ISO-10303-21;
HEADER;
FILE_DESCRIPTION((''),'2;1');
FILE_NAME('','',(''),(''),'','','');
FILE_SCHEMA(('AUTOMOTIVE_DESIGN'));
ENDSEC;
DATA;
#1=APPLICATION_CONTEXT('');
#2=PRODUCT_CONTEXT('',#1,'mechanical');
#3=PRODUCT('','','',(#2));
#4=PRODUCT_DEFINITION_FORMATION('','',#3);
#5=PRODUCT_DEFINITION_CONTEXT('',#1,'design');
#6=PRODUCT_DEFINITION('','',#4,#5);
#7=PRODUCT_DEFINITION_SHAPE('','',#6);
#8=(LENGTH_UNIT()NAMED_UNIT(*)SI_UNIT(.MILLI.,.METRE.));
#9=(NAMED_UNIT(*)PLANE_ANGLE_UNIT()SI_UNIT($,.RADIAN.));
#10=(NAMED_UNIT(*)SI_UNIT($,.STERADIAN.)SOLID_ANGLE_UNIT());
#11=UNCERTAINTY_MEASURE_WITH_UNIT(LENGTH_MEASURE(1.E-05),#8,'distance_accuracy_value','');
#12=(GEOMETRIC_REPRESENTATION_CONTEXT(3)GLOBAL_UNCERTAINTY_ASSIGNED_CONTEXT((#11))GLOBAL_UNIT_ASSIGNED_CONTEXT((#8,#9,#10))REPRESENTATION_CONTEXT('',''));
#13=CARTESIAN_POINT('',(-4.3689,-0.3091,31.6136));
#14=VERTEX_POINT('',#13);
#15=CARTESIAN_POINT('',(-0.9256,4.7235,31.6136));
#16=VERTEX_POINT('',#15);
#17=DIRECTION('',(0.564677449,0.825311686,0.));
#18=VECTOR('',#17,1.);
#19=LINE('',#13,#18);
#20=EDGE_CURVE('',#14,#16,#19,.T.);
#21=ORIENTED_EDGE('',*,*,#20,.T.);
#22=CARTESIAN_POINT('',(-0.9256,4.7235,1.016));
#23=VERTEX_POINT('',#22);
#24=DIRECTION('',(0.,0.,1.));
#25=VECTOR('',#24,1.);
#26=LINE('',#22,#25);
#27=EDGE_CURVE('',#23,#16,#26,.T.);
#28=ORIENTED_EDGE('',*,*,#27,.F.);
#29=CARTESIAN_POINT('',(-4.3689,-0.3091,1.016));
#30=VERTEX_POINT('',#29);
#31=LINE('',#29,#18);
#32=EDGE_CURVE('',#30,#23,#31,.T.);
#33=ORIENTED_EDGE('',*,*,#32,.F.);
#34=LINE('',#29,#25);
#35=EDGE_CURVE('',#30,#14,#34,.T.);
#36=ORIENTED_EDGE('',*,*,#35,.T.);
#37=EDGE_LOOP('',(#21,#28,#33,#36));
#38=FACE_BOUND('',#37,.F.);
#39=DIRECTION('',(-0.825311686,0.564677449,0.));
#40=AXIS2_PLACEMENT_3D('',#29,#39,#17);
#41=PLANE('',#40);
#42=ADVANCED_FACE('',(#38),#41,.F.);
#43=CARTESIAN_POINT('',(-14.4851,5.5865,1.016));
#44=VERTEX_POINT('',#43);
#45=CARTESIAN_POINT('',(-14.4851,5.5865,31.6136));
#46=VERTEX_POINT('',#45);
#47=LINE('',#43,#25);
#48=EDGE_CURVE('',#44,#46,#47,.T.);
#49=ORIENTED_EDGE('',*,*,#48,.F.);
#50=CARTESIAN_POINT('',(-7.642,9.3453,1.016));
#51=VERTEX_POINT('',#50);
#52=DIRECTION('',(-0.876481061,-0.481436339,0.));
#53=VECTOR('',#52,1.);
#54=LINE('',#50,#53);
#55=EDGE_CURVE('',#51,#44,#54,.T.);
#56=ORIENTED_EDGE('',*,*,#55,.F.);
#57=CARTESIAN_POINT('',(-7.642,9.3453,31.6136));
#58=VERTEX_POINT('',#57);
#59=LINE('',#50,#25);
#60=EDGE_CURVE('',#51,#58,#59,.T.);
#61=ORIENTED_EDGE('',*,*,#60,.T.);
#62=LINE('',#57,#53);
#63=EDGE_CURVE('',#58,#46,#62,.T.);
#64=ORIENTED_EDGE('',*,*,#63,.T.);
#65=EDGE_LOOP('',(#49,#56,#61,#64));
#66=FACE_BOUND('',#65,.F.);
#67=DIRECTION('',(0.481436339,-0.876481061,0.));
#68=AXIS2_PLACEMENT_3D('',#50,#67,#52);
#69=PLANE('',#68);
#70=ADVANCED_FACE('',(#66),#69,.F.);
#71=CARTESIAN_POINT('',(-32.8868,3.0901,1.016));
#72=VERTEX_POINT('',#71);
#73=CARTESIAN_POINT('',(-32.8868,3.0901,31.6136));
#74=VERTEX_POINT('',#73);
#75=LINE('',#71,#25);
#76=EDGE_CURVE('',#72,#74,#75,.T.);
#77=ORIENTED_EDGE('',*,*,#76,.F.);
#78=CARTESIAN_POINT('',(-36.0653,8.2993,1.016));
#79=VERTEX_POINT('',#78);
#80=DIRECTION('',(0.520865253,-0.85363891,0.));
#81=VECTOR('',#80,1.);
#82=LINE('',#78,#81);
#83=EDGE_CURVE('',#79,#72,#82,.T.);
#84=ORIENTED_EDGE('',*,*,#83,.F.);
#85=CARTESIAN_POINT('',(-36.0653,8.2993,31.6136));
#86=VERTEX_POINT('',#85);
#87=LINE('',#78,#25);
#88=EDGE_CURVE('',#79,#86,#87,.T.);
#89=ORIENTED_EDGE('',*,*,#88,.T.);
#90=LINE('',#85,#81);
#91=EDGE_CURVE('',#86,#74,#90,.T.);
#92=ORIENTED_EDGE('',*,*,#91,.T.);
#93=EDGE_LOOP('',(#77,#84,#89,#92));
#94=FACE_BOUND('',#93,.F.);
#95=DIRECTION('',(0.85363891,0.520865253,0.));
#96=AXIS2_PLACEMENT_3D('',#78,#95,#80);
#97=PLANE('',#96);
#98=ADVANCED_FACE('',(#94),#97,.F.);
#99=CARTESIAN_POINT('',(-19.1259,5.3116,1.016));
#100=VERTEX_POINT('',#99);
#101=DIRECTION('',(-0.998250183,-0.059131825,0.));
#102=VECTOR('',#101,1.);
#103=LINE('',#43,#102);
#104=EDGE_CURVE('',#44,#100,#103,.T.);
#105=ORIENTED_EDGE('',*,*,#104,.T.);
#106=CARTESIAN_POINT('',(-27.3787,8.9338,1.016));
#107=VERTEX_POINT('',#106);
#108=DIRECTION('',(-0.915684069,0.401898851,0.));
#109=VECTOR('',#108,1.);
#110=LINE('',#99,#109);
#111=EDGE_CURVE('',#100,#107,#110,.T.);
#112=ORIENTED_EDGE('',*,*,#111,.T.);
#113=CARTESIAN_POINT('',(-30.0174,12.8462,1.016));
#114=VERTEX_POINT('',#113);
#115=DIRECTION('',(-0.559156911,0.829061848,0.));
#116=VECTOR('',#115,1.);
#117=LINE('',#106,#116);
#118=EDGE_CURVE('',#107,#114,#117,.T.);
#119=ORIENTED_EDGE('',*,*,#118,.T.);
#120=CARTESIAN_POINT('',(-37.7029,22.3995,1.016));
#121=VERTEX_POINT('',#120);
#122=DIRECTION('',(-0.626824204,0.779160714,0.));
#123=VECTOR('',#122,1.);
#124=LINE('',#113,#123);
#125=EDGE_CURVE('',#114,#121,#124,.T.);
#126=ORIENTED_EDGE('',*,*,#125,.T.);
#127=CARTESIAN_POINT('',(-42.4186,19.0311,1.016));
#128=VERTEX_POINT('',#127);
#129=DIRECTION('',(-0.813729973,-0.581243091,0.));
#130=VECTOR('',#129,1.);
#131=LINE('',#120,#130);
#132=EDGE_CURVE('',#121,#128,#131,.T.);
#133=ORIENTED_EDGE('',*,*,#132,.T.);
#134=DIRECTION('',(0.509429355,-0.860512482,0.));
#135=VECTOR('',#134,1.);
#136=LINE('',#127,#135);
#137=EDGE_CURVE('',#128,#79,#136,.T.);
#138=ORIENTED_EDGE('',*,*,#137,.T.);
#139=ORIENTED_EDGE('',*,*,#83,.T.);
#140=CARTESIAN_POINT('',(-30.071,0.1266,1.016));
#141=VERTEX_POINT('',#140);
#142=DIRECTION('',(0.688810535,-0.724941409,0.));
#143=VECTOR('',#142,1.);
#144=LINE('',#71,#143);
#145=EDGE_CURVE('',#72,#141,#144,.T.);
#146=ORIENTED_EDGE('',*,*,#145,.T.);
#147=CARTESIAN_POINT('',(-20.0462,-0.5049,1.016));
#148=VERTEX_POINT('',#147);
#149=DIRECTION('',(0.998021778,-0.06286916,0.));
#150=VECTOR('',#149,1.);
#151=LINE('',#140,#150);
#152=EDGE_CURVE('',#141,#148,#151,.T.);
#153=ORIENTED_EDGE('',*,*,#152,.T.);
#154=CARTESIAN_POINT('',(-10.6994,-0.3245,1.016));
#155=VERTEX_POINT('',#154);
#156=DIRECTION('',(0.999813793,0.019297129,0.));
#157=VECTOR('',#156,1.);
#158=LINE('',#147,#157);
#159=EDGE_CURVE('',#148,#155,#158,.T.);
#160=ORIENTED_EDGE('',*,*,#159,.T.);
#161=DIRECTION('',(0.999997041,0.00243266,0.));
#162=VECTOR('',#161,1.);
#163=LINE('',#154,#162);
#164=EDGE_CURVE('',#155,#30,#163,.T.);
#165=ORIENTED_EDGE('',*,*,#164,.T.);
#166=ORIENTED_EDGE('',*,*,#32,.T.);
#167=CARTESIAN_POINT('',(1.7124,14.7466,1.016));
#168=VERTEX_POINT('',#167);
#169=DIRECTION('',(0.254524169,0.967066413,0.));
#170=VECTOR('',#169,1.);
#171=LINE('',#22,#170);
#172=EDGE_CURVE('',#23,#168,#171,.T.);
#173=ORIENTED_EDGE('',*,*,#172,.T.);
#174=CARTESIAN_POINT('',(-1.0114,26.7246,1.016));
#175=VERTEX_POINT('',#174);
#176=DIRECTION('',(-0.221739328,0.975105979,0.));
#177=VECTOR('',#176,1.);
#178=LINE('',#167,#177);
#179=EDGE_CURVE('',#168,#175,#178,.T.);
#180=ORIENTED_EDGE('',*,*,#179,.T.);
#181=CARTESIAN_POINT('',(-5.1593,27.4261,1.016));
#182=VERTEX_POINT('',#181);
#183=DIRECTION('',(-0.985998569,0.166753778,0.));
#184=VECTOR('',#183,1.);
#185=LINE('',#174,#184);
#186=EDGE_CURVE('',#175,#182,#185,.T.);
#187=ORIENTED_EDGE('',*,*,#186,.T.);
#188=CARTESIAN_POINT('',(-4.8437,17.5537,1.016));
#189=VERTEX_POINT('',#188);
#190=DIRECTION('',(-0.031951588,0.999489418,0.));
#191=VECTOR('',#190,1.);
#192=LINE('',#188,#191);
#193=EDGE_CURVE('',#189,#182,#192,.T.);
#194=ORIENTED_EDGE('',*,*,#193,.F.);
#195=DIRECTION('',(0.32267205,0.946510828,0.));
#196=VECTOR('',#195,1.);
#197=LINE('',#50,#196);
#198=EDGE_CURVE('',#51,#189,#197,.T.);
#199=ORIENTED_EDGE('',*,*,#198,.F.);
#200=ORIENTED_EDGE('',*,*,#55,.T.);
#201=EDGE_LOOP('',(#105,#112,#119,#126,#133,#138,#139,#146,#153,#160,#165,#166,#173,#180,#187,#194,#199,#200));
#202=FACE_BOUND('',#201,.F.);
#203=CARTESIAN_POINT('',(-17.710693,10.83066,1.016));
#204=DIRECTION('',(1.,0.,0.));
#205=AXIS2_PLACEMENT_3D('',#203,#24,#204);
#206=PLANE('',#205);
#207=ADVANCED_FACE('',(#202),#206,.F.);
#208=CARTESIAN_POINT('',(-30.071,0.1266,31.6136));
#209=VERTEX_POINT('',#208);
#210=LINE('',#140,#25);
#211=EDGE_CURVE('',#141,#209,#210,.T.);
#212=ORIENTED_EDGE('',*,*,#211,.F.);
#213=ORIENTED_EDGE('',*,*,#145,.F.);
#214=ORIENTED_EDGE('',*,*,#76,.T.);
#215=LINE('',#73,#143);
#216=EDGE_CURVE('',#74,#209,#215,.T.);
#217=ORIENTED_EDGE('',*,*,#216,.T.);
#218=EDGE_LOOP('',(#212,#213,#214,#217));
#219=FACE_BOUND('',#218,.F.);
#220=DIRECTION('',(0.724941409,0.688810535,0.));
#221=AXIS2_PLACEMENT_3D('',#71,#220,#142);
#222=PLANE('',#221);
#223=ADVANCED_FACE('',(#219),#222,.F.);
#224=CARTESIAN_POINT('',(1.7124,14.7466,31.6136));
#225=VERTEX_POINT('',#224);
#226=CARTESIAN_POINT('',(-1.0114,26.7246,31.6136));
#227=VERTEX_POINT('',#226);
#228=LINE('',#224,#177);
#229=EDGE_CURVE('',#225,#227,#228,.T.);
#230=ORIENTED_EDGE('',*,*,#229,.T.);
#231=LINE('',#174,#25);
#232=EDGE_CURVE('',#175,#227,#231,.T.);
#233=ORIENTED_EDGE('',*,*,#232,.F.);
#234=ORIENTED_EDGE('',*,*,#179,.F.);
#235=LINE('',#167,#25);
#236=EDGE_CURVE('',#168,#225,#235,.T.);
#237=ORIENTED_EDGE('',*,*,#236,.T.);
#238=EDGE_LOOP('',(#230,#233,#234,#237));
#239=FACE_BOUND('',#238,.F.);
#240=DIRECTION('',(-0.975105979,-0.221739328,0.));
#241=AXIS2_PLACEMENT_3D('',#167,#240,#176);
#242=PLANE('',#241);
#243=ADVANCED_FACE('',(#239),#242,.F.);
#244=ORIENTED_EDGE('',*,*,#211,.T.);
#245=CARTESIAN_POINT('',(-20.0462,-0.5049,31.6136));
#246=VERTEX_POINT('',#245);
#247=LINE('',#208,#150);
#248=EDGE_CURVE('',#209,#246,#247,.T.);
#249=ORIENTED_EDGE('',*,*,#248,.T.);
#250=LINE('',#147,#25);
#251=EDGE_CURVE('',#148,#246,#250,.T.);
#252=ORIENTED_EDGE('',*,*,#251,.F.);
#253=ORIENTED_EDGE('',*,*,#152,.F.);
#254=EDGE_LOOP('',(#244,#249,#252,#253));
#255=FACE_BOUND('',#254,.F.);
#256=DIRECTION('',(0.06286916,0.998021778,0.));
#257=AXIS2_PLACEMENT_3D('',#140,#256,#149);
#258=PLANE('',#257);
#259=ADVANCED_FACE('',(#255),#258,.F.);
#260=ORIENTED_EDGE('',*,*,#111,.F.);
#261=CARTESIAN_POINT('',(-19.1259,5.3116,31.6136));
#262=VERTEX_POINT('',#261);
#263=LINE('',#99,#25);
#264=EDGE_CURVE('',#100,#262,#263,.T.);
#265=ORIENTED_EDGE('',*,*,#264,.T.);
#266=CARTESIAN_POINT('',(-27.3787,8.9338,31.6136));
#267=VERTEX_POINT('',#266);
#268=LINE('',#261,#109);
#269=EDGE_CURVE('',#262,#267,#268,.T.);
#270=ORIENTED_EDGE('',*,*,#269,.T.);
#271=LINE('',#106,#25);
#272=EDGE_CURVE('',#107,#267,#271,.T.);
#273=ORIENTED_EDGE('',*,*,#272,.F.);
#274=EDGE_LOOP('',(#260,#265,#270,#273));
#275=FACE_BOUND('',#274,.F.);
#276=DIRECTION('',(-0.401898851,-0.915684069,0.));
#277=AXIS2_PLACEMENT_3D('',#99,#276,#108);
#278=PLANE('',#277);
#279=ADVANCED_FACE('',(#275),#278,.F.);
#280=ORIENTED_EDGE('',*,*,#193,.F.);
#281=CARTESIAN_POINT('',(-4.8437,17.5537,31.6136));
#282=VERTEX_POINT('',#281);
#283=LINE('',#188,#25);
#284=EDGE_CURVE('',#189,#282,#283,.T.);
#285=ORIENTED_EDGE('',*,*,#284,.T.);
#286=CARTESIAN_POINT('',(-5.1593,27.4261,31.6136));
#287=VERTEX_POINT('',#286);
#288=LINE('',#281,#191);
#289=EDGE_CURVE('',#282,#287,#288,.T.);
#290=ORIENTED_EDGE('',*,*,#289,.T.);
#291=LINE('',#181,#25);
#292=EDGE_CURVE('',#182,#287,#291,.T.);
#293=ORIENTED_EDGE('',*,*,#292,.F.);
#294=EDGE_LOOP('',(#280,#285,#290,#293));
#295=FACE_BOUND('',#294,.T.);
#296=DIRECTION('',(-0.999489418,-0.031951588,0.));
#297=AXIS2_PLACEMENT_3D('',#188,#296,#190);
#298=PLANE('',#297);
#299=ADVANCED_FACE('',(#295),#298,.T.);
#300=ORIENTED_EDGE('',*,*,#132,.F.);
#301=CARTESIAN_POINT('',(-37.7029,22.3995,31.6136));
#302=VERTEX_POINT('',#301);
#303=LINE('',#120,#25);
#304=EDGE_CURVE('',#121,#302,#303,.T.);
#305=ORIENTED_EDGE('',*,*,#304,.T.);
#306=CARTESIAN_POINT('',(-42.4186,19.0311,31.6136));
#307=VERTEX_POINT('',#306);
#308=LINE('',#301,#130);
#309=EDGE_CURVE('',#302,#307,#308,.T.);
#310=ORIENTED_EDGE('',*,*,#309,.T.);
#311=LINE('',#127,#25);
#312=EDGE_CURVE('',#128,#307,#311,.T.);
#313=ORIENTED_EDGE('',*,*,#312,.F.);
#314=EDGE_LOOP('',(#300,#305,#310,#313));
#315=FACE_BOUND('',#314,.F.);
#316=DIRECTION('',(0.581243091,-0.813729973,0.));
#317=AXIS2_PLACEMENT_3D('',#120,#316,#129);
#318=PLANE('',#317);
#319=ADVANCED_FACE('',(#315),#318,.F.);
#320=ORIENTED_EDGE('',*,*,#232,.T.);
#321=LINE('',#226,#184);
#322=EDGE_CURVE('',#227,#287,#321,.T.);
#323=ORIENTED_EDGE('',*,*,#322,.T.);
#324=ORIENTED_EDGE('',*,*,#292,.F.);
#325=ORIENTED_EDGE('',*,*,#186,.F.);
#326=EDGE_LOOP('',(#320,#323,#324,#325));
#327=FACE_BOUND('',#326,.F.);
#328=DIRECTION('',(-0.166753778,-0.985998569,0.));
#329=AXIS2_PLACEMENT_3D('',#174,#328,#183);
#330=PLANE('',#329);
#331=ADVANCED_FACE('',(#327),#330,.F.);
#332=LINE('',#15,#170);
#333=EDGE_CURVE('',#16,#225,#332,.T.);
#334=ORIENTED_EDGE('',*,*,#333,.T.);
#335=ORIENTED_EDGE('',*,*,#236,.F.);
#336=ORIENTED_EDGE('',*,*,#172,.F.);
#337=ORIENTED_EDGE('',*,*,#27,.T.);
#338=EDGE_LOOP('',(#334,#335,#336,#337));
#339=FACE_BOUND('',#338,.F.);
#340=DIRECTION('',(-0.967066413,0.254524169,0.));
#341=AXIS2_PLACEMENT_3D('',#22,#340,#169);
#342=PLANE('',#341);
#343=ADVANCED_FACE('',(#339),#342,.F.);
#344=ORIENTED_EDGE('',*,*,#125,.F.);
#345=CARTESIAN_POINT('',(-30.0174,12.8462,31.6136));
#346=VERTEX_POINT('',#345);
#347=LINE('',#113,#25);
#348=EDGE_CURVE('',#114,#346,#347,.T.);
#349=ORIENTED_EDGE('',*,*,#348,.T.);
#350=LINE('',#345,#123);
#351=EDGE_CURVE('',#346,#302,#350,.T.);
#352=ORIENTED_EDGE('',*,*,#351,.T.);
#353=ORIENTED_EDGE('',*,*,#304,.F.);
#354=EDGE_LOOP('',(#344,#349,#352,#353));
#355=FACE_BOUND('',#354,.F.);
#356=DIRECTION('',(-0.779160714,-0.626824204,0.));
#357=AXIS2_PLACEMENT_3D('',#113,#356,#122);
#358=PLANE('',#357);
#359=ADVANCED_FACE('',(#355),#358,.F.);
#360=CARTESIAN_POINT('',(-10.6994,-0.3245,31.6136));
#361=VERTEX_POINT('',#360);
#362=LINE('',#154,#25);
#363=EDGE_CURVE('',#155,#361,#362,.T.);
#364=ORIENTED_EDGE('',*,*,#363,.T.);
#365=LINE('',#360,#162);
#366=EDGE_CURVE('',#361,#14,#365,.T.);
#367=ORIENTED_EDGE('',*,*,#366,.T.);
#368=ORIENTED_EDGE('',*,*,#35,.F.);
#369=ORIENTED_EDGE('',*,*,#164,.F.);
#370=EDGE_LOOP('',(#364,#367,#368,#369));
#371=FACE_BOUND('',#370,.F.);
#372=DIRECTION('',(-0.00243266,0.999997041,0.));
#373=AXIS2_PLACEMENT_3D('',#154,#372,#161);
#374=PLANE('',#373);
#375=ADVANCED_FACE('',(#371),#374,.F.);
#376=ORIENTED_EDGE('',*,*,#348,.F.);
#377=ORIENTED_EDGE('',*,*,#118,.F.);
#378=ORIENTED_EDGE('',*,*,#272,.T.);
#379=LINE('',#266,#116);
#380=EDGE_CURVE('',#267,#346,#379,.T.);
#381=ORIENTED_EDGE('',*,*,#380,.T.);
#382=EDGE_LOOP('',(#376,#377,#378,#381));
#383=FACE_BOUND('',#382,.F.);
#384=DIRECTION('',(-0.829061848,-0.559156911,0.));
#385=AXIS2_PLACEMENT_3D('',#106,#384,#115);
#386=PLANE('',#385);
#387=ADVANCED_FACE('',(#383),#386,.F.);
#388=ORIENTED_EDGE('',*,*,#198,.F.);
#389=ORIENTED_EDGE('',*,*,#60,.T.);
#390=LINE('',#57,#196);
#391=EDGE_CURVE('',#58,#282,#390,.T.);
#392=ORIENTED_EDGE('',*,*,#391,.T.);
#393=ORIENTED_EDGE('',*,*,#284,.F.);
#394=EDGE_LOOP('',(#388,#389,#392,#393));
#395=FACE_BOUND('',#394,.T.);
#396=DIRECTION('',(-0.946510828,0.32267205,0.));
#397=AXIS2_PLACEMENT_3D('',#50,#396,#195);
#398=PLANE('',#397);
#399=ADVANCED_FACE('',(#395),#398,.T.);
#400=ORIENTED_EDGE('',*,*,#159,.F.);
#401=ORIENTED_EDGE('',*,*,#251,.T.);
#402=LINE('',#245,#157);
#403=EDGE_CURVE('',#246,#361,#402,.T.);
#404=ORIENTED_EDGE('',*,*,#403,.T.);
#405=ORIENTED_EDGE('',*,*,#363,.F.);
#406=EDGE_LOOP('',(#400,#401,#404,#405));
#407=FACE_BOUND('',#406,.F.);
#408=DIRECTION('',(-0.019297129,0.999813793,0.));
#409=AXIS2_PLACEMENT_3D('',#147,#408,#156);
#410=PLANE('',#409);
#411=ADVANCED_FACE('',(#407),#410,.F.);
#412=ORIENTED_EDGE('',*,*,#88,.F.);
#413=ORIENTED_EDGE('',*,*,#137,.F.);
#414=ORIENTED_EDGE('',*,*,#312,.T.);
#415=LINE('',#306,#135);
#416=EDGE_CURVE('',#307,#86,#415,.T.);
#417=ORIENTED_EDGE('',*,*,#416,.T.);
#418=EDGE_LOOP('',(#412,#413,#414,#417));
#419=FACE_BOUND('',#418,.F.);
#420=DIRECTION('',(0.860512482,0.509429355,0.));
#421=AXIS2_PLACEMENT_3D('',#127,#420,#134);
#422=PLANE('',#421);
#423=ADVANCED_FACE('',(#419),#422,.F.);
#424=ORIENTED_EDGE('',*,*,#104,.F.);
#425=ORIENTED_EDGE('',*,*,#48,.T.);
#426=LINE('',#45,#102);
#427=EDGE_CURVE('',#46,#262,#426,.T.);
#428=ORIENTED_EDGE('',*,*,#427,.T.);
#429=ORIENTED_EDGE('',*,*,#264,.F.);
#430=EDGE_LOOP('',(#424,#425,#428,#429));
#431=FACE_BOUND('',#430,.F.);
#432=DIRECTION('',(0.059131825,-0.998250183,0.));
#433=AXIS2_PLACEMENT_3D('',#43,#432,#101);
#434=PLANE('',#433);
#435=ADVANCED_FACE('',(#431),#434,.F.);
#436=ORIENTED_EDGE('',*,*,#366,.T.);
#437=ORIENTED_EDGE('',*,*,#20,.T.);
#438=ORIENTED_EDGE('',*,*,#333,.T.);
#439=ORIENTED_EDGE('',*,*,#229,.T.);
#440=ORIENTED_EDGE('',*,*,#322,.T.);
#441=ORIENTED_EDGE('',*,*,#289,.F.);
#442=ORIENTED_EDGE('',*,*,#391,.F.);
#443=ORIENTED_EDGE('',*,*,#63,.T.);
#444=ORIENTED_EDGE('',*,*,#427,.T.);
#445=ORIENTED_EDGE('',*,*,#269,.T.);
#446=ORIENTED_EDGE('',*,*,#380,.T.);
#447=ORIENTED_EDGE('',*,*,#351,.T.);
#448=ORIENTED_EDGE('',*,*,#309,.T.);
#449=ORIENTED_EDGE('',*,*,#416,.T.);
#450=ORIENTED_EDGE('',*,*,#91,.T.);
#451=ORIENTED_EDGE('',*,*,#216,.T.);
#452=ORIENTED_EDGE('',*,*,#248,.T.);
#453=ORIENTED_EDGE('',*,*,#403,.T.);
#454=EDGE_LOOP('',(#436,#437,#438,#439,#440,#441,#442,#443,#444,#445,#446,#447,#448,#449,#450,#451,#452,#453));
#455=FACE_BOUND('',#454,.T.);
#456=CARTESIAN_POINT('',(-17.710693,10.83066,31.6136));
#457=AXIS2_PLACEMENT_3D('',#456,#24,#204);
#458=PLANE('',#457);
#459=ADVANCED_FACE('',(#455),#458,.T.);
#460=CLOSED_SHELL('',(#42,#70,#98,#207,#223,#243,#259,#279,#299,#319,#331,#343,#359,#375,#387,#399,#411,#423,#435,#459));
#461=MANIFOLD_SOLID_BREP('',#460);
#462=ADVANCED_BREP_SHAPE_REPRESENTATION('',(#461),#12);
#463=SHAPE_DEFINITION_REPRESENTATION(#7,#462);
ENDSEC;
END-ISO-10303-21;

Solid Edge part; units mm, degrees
sketch "Sketch1" plane through (0, 0, 1.016) normal (0, 0, 1) x (1, 0, 0)
  line L0 (-0.9256, 4.7235) -> (1.7124, 14.7466)
  line L1 (1.7124, 14.7466) -> (-1.0114, 26.7246)
  line L2 (-1.0114, 26.7246) -> (-5.1593, 27.4261)
  line L3 (-4.8437, 17.5537) -> (-5.1593, 27.4261)
  line L4 (-7.642, 9.3453) -> (-4.8437, 17.5537)
  line L5 (-7.642, 9.3453) -> (-14.4851, 5.5865)
  line L6 (-14.4851, 5.5865) -> (-19.1259, 5.3116)
  line L7 (-19.1259, 5.3116) -> (-27.3787, 8.9338)
  line L8 (-27.3787, 8.9338) -> (-30.0174, 12.8462)
  line L9 (-30.0174, 12.8462) -> (-37.7029, 22.3995)
  line L10 (-37.7029, 22.3995) -> (-42.4186, 19.0311)
  line L11 (-42.4186, 19.0311) -> (-36.0653, 8.2993)
  line L12 (-36.0653, 8.2993) -> (-32.8868, 3.0901)
  line L13 (-32.8868, 3.0901) -> (-30.071, 0.1266)
  line L14 (-30.071, 0.1266) -> (-20.0462, -0.5049)
  line L15 (-20.0462, -0.5049) -> (-10.6994, -0.3245)
  line L16 (-10.6994, -0.3245) -> (-4.3689, -0.3091)
  line L17 (-4.3689, -0.3091) -> (-0.9256, 4.7235)
extrude "Protrusion1" add sketch "Sketch1" along normal up to vertex (30.5976 mm away)
